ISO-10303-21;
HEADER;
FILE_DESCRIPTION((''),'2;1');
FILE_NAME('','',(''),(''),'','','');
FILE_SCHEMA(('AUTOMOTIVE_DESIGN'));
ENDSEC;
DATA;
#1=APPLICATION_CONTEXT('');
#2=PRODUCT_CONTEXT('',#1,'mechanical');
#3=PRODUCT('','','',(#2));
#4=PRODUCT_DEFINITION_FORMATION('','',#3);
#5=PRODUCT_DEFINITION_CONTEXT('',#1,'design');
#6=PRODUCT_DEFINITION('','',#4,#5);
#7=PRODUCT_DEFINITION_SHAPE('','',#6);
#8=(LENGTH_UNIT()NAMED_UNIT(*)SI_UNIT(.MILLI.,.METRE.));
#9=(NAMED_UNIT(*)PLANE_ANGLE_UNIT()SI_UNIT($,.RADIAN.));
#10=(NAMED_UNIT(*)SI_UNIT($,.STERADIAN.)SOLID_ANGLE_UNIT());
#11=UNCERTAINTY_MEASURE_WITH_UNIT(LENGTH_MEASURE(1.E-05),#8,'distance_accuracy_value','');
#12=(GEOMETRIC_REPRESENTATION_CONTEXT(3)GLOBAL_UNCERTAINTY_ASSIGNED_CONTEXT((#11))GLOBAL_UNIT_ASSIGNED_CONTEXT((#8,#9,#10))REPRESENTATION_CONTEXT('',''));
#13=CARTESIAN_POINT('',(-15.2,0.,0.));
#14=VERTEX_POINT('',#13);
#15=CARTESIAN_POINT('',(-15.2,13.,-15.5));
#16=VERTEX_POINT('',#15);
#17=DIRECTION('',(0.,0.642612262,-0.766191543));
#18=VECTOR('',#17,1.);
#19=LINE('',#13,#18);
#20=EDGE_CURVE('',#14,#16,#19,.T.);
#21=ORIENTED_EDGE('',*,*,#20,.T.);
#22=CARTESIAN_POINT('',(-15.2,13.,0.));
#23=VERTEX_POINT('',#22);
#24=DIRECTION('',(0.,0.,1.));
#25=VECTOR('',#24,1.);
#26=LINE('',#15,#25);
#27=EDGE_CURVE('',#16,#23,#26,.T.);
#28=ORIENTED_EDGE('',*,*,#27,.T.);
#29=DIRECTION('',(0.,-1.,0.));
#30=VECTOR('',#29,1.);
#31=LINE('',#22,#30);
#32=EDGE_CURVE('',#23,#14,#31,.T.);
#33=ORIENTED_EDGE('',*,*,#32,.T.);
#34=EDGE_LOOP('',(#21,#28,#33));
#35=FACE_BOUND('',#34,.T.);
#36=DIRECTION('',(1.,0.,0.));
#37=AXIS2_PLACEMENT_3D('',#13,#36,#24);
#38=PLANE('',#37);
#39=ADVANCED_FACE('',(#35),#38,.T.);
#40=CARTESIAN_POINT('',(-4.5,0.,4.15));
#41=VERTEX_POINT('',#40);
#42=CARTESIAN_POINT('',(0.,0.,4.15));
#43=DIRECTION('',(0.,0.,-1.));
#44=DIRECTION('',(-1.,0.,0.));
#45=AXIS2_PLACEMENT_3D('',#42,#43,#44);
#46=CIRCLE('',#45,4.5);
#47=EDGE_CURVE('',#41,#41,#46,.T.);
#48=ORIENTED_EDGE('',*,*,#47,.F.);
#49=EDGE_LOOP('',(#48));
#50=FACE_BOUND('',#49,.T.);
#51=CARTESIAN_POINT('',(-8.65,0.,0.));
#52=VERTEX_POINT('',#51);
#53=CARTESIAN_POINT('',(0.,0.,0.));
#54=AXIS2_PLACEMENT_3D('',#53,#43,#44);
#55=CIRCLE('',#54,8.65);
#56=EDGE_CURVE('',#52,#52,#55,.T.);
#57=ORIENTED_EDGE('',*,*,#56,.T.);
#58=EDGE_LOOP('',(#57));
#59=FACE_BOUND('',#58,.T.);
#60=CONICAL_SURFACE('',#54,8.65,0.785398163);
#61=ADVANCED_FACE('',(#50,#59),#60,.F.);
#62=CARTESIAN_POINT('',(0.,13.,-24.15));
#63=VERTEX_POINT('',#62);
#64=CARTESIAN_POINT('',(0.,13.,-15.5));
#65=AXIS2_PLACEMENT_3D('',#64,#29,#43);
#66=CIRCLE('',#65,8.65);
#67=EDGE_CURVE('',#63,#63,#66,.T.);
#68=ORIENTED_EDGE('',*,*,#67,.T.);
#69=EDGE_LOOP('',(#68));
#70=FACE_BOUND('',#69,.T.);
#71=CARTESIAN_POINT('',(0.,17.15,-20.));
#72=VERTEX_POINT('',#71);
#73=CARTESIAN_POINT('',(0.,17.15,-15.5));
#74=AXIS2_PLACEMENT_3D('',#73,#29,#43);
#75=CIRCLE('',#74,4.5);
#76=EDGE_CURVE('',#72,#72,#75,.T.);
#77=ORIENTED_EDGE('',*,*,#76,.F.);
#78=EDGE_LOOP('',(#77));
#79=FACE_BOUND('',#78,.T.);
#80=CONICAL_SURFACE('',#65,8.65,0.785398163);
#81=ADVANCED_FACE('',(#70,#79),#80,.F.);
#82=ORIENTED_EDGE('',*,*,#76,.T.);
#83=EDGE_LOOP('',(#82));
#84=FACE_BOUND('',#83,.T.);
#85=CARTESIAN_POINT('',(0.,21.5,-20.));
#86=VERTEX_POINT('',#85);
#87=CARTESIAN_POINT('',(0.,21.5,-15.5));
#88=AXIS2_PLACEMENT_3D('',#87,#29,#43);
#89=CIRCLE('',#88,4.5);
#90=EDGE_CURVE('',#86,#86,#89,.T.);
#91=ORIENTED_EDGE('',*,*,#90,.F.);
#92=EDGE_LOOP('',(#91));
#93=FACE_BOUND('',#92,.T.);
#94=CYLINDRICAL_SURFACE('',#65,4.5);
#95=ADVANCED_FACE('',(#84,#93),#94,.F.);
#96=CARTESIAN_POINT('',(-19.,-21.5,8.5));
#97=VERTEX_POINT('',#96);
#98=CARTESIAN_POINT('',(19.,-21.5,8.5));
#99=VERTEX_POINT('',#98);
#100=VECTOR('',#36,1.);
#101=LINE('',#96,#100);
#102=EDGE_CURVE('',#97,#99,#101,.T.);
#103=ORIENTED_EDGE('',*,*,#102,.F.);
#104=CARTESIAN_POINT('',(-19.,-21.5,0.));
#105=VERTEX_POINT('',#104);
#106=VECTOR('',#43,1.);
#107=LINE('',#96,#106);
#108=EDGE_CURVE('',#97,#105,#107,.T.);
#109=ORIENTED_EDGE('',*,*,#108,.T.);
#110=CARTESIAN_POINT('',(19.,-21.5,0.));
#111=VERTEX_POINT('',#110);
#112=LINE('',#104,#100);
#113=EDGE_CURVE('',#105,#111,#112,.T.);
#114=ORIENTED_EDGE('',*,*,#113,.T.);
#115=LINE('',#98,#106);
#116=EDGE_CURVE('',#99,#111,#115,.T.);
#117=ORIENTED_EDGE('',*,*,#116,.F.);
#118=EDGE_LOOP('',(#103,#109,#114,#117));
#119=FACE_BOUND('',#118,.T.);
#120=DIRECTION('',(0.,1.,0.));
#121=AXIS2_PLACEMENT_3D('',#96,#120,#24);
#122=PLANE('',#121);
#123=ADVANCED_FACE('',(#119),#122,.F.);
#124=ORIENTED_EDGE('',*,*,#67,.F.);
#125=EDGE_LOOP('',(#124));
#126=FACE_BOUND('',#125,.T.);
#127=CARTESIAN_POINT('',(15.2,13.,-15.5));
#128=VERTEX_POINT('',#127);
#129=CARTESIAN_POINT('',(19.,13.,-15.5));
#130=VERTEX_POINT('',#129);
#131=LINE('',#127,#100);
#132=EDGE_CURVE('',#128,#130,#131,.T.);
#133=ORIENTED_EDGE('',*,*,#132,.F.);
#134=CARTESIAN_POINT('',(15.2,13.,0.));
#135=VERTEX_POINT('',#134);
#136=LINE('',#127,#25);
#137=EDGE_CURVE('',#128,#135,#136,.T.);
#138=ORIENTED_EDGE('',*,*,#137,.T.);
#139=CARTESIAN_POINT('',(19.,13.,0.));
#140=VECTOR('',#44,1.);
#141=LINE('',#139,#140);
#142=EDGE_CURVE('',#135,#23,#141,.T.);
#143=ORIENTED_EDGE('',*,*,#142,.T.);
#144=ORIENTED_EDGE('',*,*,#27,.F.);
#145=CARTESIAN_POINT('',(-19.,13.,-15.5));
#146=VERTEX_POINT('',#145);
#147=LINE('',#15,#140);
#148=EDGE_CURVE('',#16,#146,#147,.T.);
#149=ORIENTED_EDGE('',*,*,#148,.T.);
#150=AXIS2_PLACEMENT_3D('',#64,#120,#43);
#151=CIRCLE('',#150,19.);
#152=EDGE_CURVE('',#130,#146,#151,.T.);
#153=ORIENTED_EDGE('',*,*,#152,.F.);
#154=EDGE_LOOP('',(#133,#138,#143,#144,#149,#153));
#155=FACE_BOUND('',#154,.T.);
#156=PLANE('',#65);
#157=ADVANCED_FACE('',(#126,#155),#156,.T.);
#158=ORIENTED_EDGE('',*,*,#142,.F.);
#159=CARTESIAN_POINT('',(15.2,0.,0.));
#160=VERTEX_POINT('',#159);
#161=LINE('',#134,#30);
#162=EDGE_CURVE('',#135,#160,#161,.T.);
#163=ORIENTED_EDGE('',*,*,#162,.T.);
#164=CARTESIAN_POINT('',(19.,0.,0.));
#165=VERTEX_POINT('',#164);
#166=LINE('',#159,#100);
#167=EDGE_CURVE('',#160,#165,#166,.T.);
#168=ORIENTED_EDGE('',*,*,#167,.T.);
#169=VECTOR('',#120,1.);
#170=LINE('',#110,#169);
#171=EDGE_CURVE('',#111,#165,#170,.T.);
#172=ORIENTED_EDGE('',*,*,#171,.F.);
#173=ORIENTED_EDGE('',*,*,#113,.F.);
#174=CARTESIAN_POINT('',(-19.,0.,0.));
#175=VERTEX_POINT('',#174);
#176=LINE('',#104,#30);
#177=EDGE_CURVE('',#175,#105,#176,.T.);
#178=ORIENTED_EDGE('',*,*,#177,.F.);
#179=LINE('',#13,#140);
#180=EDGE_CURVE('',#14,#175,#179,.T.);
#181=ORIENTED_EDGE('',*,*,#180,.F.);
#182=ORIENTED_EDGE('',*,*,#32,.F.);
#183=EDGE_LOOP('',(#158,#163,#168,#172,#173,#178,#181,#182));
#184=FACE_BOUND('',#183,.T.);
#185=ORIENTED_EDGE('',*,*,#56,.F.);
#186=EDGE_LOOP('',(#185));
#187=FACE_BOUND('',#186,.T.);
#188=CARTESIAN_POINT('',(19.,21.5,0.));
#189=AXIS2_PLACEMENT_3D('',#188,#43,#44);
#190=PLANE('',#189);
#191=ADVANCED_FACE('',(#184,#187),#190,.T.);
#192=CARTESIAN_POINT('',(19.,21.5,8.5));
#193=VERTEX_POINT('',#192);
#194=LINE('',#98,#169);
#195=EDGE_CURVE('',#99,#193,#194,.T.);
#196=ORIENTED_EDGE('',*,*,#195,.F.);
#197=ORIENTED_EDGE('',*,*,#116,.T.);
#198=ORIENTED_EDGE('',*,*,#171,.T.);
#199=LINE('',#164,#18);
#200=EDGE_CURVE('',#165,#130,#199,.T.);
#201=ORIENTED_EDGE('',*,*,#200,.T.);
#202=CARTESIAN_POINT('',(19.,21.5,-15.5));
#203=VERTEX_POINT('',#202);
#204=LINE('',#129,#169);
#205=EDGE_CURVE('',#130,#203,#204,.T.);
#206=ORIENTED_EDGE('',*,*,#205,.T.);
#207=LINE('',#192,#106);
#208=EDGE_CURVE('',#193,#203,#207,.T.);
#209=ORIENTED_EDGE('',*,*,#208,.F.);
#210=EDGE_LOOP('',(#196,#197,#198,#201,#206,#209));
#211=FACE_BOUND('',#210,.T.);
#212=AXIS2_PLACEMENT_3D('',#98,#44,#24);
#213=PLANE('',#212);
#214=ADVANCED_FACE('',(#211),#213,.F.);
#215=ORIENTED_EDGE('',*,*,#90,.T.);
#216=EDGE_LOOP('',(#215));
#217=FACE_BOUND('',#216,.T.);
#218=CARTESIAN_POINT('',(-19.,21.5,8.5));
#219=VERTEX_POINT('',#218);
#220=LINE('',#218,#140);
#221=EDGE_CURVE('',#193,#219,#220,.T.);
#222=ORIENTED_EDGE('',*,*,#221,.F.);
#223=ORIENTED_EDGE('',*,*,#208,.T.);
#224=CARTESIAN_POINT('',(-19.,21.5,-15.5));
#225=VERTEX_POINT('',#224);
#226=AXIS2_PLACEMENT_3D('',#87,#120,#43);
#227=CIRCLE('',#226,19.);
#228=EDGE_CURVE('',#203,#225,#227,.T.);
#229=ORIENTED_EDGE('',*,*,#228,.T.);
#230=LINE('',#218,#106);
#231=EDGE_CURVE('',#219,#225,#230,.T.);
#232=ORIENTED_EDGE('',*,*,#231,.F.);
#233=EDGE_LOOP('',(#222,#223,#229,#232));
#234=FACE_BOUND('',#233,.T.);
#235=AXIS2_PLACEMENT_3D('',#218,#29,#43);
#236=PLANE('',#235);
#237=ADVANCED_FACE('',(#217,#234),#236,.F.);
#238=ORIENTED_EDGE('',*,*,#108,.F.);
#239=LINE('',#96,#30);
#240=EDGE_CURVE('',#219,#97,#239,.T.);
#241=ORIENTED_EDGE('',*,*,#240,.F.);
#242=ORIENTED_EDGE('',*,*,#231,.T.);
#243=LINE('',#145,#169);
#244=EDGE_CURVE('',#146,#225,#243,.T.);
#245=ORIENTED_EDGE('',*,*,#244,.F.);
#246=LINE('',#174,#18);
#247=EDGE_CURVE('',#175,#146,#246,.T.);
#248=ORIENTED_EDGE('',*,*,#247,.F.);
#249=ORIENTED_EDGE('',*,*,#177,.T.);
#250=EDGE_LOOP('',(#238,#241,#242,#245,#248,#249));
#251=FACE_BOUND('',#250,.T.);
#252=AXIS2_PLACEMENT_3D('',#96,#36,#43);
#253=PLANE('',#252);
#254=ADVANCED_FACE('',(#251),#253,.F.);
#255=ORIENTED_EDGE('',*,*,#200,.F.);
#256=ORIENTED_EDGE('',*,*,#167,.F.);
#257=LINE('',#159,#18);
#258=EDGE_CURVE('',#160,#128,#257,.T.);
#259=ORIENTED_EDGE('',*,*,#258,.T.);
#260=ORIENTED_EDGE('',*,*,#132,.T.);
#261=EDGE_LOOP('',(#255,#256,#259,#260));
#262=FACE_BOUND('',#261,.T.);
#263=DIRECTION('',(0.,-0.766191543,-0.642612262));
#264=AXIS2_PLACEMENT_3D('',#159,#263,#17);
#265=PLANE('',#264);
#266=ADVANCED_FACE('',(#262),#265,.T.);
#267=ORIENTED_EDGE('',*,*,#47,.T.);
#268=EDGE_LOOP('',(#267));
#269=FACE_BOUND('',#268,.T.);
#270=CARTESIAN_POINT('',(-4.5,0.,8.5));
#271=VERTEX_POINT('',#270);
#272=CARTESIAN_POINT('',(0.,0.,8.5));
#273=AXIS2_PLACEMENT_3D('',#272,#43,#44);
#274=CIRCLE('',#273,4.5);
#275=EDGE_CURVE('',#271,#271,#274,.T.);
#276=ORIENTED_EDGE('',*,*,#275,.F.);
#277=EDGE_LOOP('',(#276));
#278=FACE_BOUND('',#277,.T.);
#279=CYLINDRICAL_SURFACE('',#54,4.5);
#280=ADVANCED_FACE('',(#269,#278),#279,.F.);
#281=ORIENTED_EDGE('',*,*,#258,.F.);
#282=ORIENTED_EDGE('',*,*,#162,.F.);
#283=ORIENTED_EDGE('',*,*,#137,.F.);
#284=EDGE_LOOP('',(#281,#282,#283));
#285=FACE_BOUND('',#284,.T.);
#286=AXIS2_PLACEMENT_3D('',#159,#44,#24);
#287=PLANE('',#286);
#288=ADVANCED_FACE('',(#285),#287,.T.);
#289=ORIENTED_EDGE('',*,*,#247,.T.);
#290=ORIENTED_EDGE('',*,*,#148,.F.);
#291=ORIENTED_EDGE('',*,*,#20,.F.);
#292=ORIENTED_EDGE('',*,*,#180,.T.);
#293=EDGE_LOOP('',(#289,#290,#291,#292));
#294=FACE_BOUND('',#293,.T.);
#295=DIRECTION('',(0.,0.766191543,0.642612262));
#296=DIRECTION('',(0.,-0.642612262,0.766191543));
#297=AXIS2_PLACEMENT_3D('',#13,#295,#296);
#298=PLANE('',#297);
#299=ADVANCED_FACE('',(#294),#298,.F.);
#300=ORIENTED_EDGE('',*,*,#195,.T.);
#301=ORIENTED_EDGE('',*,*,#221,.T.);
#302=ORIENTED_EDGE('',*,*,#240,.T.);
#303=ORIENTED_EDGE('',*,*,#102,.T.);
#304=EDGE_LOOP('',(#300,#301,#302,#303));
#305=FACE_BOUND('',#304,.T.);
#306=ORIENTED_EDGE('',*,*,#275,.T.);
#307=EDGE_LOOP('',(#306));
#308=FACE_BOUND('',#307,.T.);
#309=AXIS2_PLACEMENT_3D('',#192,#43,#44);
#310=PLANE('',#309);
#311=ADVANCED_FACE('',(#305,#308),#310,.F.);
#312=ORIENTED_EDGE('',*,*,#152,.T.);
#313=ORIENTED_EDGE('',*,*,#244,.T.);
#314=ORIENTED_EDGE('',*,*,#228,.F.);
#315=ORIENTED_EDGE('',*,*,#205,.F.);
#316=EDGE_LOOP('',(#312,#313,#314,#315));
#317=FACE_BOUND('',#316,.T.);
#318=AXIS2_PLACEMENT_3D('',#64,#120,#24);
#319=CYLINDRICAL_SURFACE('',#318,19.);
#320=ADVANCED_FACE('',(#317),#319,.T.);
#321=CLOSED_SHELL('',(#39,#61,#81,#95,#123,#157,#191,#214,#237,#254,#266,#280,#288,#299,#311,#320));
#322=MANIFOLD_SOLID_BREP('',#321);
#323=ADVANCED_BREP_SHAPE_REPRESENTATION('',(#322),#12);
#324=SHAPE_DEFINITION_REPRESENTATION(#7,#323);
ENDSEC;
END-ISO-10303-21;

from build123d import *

# Parameters (mm, degrees)
SKETCH_1_W      = 38
SKETCH_1_H      = 43
EXTRUDE_1_DEPTH = 8.5
EXTRUDE_2_DEPTH = 8.5
EXTRUDE_3_DEPTH = 3.8


with BuildPart() as part:
    # 草图1 → 凸台-拉伸1 (new body)
    with BuildSketch(Plane.XY):
        Rectangle(SKETCH_1_W, SKETCH_1_H)
    extrude(amount=EXTRUDE_1_DEPTH)

    # 草图2 → 凸台-拉伸2 (add)
    with BuildSketch(Plane(origin=(0, 21.5, 0), x_dir=(1, 0, 0), z_dir=(0, 1, 0))):
        with BuildLine():
            Line((-19, -8.5), (19, -8.5))
            Line((19, -8.5), (19, 15.5))
            ThreePointArc((19, 15.5), (0, 34.5), (-19, 15.5))
            Line((-19, 15.5), (-19, -8.5))
        make_face()
    extrude(amount=-EXTRUDE_2_DEPTH)

    # 草图5 → 凸台-拉伸3 (add)
    with BuildSketch(Plane(origin=(19, 0, 0), x_dir=(0, 0, -1), z_dir=(1, 0, 0))):
        Polygon((15.5, 13), (0, 13), (0, 0), align=None)
    extrude_3 = extrude(amount=-EXTRUDE_3_DEPTH)

    # 镜向1: 凸台-拉伸3 across plane
    add(extrude_3.mirror(Plane(origin=(0, 0, 0), x_dir=(0, 0, 1), z_dir=(1, 0, 0))))

    # 草图6 → M8 平锥沉头螺钉的锥形沉头孔1 (revolve, cut)
    with BuildSketch(Plane.YZ):
        Polygon((0, 0), (0, 8.5), (4.5, 8.5), (4.5, 4.15), (8.65, 0), align=None)
    revolve(axis=Axis((0, 0, -6.35), (0, 0, 1)), mode=Mode.SUBTRACT)

    # 草图8 → M8 平锥沉头螺钉的锥形沉头孔2 (revolve, cut)
    with BuildSketch(Plane(origin=(0, 13, -15.5), x_dir=(0, 0, -1), z_dir=(1, 0, 0))):
        Polygon((0, 0), (0, 8.5), (4.5, 8.5), (4.5, 4.15), (8.65, 0), align=None)
    revolve(axis=Axis((0, 6.65, -15.5), (0, 1, 0)), mode=Mode.SUBTRACT)


solid = part.part
